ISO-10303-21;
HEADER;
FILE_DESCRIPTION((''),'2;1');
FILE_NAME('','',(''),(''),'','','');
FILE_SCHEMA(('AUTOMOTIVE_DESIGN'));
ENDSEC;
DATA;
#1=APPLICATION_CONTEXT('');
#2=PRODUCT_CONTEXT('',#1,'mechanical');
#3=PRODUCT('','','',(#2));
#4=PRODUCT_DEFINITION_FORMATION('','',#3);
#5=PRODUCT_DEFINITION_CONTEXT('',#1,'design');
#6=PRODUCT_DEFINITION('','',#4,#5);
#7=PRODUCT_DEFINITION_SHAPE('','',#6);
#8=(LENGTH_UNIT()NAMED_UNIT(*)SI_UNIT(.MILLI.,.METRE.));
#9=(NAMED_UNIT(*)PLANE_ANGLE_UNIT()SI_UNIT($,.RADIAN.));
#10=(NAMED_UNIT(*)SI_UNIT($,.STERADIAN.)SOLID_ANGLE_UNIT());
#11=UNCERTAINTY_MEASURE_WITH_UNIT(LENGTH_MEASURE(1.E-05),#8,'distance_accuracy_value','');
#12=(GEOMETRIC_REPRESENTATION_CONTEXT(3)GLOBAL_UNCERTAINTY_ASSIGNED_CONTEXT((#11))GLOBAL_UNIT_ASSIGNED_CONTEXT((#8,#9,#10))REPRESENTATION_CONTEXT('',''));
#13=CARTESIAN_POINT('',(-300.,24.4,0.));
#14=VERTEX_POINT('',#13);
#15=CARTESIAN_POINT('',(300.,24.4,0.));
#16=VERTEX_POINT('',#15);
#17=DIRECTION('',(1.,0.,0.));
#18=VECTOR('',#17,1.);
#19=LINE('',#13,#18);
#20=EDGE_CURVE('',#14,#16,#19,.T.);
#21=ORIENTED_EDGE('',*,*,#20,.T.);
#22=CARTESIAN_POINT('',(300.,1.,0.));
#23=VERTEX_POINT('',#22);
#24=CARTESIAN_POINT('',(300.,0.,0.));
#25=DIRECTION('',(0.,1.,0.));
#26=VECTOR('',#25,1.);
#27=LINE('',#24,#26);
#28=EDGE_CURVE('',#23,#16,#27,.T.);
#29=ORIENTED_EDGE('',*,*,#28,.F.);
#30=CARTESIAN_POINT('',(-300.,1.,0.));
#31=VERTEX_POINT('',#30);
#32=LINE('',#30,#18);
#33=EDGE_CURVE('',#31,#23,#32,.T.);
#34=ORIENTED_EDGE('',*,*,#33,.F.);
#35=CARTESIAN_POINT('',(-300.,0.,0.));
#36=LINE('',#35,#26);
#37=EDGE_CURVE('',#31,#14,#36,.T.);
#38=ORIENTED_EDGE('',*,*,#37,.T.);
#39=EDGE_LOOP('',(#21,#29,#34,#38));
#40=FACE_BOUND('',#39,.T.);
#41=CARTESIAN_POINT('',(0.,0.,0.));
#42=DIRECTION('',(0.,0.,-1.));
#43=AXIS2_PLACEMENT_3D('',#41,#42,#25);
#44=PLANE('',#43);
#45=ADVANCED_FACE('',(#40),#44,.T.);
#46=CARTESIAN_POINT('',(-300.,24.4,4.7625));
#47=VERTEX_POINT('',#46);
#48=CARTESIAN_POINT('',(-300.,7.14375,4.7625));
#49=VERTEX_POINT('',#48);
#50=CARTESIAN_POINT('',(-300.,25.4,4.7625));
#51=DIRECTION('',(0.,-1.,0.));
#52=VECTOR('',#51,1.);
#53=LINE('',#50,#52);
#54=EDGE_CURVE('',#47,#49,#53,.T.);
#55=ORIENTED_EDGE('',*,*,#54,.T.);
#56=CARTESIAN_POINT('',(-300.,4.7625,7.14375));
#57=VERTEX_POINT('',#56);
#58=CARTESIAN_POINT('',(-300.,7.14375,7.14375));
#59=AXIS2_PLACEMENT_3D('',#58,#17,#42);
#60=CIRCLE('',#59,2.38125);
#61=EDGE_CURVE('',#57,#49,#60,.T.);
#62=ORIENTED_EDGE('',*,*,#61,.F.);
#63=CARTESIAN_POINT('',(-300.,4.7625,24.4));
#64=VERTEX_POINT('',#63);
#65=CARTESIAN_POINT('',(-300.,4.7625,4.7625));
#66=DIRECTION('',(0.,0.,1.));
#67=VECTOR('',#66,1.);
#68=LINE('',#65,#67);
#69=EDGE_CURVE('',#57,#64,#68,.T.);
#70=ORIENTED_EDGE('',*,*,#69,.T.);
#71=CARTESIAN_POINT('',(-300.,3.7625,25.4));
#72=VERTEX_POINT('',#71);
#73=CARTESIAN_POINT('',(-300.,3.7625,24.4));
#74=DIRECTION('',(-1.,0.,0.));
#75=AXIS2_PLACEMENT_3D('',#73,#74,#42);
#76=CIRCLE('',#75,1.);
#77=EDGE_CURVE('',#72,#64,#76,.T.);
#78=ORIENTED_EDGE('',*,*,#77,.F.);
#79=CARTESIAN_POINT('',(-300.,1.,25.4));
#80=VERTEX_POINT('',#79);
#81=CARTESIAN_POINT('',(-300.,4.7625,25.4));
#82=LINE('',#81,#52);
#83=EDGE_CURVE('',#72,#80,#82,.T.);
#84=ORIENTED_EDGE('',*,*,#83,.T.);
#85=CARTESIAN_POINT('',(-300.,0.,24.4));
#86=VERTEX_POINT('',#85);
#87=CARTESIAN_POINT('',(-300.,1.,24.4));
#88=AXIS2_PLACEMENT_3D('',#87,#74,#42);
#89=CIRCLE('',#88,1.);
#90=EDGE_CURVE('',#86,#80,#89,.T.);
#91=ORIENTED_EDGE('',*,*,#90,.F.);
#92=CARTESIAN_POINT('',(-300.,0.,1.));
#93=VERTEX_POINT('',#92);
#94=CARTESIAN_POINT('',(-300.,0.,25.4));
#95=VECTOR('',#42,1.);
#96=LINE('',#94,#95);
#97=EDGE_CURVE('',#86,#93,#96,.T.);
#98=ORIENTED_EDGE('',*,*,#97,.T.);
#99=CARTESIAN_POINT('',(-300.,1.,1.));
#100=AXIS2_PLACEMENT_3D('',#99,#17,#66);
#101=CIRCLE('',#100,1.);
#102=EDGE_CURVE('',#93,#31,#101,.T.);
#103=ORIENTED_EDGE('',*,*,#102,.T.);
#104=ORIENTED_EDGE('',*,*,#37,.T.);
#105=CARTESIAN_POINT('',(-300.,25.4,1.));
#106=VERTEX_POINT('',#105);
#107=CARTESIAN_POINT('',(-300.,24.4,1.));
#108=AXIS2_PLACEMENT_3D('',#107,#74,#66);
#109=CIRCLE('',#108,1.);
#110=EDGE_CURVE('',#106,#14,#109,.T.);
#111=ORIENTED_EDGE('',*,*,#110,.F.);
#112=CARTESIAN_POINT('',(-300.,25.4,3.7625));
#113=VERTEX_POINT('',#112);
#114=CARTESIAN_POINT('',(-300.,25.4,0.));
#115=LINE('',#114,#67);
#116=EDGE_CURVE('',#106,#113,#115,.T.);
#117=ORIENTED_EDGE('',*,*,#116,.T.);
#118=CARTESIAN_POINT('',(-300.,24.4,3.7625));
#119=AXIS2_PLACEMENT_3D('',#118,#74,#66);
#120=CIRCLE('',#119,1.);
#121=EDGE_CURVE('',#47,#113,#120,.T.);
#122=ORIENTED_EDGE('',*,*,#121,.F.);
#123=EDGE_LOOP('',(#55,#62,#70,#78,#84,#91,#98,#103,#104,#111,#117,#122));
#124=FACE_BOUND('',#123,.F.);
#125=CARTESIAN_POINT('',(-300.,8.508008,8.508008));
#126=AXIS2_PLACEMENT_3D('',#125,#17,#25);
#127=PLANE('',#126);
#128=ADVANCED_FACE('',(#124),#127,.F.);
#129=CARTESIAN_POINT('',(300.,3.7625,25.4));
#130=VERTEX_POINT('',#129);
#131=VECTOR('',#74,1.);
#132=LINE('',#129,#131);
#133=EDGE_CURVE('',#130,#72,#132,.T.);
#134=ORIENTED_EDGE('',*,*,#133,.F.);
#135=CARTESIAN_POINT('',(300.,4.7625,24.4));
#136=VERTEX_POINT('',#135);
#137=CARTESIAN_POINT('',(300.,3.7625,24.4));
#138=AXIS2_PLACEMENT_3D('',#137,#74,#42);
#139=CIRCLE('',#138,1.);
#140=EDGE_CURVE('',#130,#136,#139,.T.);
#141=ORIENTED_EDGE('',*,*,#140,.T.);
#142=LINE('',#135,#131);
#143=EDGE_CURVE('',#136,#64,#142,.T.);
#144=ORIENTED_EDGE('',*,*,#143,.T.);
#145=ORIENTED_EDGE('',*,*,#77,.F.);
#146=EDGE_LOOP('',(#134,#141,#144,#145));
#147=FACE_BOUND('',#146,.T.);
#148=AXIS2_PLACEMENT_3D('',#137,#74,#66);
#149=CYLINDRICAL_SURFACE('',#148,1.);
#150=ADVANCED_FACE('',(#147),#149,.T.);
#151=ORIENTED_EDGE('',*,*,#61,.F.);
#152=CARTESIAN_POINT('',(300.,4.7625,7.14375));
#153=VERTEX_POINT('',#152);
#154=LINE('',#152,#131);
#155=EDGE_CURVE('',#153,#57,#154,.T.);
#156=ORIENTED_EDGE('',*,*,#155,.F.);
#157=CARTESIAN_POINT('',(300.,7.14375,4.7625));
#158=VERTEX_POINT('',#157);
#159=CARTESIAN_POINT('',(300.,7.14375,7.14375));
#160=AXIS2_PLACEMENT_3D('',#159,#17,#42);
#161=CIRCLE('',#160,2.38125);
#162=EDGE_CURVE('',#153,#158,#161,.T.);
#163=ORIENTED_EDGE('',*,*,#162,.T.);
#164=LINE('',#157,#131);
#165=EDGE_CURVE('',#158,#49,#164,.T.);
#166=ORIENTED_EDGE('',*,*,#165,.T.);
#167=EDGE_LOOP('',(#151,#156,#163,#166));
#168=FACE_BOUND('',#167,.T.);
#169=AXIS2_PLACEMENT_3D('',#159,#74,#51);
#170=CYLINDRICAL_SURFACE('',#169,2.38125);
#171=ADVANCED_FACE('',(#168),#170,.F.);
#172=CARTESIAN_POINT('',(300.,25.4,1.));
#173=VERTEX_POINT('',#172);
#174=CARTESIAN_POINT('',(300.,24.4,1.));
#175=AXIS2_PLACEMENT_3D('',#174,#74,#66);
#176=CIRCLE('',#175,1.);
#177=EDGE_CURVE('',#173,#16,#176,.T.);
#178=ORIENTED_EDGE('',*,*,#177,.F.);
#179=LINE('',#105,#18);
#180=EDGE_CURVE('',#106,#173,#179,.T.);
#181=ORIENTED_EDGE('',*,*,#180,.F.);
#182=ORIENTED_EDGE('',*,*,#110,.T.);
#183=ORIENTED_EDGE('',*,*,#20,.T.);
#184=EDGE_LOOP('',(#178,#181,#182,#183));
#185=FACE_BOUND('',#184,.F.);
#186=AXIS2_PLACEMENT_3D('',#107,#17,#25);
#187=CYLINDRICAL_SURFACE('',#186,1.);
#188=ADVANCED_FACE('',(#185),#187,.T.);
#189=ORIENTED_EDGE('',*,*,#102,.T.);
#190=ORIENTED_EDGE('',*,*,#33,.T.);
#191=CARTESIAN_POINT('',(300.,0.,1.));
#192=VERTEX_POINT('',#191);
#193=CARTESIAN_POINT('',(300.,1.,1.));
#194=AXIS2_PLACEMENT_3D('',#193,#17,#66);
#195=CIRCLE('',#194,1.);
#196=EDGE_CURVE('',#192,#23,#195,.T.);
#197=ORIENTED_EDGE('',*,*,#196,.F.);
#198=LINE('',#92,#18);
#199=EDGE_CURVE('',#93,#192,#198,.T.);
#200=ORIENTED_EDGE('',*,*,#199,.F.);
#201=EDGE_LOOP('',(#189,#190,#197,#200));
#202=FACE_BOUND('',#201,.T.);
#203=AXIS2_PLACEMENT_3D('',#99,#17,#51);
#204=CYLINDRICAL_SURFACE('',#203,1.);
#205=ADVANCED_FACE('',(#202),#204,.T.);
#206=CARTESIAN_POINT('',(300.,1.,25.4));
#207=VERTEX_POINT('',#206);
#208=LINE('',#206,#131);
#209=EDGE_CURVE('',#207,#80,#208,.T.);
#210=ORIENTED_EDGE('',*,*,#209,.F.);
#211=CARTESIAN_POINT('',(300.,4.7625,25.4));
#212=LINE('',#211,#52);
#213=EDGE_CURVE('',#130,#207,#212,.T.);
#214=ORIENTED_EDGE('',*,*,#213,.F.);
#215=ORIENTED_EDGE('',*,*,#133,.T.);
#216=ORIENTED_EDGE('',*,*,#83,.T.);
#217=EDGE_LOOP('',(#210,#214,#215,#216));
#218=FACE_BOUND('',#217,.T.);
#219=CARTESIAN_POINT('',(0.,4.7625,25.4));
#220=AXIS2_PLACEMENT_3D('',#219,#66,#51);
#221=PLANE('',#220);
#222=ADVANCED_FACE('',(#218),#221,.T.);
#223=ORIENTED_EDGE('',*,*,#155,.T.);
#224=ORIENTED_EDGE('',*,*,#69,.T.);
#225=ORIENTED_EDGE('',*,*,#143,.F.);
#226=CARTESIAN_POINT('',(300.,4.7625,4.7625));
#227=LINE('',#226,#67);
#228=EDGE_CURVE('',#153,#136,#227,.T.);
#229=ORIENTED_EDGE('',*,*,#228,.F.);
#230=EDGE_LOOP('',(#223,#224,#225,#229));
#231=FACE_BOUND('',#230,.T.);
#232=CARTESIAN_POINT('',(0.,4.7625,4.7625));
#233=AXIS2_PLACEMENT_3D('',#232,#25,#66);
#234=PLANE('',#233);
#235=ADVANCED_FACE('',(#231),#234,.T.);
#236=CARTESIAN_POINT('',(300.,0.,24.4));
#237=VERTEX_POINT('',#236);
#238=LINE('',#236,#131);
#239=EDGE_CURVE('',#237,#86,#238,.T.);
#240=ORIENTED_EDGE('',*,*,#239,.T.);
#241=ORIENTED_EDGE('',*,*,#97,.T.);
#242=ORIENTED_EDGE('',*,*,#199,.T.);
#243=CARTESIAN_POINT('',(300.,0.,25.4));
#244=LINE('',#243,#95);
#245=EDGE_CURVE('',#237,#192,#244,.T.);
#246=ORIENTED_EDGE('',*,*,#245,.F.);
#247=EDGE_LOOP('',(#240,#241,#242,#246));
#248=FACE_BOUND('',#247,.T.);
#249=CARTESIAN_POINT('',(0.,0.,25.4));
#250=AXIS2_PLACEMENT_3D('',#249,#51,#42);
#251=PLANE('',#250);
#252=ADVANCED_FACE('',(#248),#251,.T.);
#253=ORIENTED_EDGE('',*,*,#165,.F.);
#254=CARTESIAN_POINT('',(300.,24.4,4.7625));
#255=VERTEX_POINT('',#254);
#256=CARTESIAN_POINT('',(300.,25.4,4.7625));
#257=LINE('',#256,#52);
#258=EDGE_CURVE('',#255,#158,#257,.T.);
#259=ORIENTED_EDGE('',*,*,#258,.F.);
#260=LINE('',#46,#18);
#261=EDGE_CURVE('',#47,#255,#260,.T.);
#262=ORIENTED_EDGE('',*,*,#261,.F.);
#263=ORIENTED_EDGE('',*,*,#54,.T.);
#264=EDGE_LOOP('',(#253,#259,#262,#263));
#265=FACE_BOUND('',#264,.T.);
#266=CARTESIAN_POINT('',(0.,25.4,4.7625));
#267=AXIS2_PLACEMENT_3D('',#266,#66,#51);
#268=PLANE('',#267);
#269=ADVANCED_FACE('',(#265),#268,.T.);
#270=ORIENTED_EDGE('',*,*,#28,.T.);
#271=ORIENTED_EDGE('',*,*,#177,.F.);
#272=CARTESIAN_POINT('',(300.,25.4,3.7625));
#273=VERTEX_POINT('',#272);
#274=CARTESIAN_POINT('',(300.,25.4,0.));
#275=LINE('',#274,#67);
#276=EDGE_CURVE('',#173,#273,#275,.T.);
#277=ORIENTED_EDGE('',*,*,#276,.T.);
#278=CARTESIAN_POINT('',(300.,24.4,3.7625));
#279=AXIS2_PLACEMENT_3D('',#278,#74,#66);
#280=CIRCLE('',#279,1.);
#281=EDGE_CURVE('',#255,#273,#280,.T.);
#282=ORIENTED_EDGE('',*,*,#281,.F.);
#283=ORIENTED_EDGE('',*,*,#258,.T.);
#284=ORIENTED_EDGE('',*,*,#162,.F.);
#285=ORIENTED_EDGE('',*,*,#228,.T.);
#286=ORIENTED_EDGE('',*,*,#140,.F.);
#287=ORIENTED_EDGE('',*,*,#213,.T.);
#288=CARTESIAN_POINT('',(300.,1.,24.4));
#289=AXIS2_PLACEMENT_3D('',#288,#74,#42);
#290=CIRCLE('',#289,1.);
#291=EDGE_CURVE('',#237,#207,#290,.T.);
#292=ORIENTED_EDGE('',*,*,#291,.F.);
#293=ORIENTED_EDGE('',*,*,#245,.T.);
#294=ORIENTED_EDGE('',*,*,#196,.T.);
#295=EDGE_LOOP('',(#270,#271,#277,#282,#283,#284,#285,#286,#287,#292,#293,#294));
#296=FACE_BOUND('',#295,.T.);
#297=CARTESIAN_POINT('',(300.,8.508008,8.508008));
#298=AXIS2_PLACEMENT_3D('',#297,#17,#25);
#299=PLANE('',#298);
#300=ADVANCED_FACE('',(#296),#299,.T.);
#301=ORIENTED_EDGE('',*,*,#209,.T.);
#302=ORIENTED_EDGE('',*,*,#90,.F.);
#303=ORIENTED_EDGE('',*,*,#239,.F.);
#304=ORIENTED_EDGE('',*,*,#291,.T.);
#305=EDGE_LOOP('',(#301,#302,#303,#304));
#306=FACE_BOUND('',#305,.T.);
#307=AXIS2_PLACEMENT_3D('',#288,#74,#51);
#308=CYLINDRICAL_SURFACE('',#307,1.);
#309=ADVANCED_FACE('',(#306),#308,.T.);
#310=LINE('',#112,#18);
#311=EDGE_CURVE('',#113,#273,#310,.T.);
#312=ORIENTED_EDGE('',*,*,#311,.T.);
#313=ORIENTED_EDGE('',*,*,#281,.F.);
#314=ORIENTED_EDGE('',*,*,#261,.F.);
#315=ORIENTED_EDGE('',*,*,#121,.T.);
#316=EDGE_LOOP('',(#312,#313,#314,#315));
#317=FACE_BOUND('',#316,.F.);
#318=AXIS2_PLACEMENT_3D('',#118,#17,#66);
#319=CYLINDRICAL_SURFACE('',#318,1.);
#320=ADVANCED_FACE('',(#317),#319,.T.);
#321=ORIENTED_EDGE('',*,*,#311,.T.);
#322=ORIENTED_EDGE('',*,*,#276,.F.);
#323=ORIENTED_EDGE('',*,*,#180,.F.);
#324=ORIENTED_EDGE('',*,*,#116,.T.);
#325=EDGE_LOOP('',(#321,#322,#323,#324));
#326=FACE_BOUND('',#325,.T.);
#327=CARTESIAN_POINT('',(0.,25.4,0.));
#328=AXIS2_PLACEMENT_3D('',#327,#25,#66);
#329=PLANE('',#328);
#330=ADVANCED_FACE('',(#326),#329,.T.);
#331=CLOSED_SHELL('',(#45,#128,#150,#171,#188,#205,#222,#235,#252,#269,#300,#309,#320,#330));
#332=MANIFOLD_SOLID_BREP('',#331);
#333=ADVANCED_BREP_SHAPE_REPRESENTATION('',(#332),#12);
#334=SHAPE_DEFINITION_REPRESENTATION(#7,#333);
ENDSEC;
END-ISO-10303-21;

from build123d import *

# Parameters (mm, degrees)
F1_DEPTH = 300
F2_R     = 1
F3_R     = 2.38125


with BuildPart() as f1:
    # F0 (on Right) → F1 (new body, symmetric)
    with BuildSketch(Plane.YZ):
        Polygon((0, 25.4), (0, 0), (25.4, 0), (25.4, 4.7625), (4.7625, 4.7625), (4.7625, 25.4), align=None)
    extrude(amount=F1_DEPTH, both=True)

    # F2
    f2_edges = [f1.edges().sort_by_distance(p)[0] for p in [
        (0, 0, 25.4),
        (0, 4.7625, 25.4),
        (0, 0, 0),
        (0, 25.4, 4.7625),
        (0, 25.4, 0),
    ]]
    fillet(f2_edges, radius=F2_R)

    # F3
    f3_edges = [f1.edges().sort_by_distance(p)[0] for p in [
        (0, 4.7625, 4.7625),
    ]]
    fillet(f3_edges, radius=F3_R)


solid = f1.part
